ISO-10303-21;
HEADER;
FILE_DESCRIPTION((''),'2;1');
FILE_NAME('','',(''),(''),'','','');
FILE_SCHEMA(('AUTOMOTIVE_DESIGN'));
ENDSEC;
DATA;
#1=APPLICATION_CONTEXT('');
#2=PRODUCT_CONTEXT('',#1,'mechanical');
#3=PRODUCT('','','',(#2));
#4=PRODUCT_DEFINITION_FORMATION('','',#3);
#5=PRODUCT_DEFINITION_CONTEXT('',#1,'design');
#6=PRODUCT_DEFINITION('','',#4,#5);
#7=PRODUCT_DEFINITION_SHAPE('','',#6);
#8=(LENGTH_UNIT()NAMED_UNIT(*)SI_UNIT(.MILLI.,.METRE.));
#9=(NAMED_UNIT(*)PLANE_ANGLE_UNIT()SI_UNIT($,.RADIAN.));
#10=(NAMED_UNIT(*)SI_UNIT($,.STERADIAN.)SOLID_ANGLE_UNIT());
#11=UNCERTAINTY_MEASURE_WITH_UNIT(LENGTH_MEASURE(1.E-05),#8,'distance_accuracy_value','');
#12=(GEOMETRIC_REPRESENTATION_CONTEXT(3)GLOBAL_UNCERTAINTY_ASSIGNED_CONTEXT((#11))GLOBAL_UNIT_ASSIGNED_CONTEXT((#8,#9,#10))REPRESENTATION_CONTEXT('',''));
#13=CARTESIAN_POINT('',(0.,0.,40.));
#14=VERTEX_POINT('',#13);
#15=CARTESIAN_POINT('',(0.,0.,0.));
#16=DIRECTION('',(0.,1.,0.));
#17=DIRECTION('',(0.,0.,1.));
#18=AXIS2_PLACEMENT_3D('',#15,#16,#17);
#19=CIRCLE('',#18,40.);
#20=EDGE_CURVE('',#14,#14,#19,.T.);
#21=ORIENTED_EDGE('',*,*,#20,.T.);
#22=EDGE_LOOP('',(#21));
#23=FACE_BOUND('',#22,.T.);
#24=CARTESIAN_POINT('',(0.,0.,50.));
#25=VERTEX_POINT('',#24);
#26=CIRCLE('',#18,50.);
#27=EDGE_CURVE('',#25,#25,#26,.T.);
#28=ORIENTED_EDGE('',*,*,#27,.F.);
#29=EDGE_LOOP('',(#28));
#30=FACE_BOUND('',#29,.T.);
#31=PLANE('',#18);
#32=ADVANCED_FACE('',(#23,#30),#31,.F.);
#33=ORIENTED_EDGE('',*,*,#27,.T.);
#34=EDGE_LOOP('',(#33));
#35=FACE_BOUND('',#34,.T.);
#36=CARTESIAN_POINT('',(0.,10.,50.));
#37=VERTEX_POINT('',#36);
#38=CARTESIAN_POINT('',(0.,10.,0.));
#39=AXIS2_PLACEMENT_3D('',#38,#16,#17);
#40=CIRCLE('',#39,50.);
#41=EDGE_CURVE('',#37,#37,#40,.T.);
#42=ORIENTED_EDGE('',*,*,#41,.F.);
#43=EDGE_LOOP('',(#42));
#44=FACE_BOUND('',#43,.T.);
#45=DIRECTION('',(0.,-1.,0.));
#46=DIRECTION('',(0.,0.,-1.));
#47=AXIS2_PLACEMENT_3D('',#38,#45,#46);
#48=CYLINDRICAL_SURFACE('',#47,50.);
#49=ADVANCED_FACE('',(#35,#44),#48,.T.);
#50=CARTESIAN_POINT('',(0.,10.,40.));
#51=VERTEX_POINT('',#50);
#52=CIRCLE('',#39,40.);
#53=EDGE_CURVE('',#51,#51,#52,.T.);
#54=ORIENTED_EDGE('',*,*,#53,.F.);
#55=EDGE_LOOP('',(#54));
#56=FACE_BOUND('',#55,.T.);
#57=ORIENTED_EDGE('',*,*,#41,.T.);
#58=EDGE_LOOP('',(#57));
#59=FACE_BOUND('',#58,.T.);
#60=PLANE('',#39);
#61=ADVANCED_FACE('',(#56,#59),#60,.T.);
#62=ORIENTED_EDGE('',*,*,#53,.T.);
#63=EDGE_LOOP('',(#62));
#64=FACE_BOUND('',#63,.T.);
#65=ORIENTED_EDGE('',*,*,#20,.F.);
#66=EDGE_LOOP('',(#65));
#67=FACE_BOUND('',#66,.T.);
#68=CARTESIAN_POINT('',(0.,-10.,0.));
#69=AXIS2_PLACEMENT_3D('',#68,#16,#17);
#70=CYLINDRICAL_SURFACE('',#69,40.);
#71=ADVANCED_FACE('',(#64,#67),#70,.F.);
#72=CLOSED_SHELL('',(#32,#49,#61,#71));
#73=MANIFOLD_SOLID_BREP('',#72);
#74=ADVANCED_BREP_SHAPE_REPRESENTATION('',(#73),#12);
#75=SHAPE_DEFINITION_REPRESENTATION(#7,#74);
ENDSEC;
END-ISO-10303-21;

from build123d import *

# Parameters (mm, degrees)
SKETCH_2_R          = 50
EXTRUDE_1_DEPTH     = 10
SKETCH_3_R          = 40
CUT_EXTRUDE_1_DEPTH = 20


with BuildPart() as part:
    # 草图2 → 凸台-拉伸1 (new body)
    with BuildSketch(Plane(origin=(0, 0, 0), x_dir=(1, 0, 0), z_dir=(0, 1, 0))):
        Circle(SKETCH_2_R)
    extrude(amount=EXTRUDE_1_DEPTH)

    # 草图3 → 切除-拉伸1 (cut)
    with BuildSketch(Plane(origin=(0, 10, 0), x_dir=(1, 0, 0), z_dir=(0, 1, 0))):
        Circle(SKETCH_3_R)
    extrude(amount=-CUT_EXTRUDE_1_DEPTH, mode=Mode.SUBTRACT)


solid = part.part
